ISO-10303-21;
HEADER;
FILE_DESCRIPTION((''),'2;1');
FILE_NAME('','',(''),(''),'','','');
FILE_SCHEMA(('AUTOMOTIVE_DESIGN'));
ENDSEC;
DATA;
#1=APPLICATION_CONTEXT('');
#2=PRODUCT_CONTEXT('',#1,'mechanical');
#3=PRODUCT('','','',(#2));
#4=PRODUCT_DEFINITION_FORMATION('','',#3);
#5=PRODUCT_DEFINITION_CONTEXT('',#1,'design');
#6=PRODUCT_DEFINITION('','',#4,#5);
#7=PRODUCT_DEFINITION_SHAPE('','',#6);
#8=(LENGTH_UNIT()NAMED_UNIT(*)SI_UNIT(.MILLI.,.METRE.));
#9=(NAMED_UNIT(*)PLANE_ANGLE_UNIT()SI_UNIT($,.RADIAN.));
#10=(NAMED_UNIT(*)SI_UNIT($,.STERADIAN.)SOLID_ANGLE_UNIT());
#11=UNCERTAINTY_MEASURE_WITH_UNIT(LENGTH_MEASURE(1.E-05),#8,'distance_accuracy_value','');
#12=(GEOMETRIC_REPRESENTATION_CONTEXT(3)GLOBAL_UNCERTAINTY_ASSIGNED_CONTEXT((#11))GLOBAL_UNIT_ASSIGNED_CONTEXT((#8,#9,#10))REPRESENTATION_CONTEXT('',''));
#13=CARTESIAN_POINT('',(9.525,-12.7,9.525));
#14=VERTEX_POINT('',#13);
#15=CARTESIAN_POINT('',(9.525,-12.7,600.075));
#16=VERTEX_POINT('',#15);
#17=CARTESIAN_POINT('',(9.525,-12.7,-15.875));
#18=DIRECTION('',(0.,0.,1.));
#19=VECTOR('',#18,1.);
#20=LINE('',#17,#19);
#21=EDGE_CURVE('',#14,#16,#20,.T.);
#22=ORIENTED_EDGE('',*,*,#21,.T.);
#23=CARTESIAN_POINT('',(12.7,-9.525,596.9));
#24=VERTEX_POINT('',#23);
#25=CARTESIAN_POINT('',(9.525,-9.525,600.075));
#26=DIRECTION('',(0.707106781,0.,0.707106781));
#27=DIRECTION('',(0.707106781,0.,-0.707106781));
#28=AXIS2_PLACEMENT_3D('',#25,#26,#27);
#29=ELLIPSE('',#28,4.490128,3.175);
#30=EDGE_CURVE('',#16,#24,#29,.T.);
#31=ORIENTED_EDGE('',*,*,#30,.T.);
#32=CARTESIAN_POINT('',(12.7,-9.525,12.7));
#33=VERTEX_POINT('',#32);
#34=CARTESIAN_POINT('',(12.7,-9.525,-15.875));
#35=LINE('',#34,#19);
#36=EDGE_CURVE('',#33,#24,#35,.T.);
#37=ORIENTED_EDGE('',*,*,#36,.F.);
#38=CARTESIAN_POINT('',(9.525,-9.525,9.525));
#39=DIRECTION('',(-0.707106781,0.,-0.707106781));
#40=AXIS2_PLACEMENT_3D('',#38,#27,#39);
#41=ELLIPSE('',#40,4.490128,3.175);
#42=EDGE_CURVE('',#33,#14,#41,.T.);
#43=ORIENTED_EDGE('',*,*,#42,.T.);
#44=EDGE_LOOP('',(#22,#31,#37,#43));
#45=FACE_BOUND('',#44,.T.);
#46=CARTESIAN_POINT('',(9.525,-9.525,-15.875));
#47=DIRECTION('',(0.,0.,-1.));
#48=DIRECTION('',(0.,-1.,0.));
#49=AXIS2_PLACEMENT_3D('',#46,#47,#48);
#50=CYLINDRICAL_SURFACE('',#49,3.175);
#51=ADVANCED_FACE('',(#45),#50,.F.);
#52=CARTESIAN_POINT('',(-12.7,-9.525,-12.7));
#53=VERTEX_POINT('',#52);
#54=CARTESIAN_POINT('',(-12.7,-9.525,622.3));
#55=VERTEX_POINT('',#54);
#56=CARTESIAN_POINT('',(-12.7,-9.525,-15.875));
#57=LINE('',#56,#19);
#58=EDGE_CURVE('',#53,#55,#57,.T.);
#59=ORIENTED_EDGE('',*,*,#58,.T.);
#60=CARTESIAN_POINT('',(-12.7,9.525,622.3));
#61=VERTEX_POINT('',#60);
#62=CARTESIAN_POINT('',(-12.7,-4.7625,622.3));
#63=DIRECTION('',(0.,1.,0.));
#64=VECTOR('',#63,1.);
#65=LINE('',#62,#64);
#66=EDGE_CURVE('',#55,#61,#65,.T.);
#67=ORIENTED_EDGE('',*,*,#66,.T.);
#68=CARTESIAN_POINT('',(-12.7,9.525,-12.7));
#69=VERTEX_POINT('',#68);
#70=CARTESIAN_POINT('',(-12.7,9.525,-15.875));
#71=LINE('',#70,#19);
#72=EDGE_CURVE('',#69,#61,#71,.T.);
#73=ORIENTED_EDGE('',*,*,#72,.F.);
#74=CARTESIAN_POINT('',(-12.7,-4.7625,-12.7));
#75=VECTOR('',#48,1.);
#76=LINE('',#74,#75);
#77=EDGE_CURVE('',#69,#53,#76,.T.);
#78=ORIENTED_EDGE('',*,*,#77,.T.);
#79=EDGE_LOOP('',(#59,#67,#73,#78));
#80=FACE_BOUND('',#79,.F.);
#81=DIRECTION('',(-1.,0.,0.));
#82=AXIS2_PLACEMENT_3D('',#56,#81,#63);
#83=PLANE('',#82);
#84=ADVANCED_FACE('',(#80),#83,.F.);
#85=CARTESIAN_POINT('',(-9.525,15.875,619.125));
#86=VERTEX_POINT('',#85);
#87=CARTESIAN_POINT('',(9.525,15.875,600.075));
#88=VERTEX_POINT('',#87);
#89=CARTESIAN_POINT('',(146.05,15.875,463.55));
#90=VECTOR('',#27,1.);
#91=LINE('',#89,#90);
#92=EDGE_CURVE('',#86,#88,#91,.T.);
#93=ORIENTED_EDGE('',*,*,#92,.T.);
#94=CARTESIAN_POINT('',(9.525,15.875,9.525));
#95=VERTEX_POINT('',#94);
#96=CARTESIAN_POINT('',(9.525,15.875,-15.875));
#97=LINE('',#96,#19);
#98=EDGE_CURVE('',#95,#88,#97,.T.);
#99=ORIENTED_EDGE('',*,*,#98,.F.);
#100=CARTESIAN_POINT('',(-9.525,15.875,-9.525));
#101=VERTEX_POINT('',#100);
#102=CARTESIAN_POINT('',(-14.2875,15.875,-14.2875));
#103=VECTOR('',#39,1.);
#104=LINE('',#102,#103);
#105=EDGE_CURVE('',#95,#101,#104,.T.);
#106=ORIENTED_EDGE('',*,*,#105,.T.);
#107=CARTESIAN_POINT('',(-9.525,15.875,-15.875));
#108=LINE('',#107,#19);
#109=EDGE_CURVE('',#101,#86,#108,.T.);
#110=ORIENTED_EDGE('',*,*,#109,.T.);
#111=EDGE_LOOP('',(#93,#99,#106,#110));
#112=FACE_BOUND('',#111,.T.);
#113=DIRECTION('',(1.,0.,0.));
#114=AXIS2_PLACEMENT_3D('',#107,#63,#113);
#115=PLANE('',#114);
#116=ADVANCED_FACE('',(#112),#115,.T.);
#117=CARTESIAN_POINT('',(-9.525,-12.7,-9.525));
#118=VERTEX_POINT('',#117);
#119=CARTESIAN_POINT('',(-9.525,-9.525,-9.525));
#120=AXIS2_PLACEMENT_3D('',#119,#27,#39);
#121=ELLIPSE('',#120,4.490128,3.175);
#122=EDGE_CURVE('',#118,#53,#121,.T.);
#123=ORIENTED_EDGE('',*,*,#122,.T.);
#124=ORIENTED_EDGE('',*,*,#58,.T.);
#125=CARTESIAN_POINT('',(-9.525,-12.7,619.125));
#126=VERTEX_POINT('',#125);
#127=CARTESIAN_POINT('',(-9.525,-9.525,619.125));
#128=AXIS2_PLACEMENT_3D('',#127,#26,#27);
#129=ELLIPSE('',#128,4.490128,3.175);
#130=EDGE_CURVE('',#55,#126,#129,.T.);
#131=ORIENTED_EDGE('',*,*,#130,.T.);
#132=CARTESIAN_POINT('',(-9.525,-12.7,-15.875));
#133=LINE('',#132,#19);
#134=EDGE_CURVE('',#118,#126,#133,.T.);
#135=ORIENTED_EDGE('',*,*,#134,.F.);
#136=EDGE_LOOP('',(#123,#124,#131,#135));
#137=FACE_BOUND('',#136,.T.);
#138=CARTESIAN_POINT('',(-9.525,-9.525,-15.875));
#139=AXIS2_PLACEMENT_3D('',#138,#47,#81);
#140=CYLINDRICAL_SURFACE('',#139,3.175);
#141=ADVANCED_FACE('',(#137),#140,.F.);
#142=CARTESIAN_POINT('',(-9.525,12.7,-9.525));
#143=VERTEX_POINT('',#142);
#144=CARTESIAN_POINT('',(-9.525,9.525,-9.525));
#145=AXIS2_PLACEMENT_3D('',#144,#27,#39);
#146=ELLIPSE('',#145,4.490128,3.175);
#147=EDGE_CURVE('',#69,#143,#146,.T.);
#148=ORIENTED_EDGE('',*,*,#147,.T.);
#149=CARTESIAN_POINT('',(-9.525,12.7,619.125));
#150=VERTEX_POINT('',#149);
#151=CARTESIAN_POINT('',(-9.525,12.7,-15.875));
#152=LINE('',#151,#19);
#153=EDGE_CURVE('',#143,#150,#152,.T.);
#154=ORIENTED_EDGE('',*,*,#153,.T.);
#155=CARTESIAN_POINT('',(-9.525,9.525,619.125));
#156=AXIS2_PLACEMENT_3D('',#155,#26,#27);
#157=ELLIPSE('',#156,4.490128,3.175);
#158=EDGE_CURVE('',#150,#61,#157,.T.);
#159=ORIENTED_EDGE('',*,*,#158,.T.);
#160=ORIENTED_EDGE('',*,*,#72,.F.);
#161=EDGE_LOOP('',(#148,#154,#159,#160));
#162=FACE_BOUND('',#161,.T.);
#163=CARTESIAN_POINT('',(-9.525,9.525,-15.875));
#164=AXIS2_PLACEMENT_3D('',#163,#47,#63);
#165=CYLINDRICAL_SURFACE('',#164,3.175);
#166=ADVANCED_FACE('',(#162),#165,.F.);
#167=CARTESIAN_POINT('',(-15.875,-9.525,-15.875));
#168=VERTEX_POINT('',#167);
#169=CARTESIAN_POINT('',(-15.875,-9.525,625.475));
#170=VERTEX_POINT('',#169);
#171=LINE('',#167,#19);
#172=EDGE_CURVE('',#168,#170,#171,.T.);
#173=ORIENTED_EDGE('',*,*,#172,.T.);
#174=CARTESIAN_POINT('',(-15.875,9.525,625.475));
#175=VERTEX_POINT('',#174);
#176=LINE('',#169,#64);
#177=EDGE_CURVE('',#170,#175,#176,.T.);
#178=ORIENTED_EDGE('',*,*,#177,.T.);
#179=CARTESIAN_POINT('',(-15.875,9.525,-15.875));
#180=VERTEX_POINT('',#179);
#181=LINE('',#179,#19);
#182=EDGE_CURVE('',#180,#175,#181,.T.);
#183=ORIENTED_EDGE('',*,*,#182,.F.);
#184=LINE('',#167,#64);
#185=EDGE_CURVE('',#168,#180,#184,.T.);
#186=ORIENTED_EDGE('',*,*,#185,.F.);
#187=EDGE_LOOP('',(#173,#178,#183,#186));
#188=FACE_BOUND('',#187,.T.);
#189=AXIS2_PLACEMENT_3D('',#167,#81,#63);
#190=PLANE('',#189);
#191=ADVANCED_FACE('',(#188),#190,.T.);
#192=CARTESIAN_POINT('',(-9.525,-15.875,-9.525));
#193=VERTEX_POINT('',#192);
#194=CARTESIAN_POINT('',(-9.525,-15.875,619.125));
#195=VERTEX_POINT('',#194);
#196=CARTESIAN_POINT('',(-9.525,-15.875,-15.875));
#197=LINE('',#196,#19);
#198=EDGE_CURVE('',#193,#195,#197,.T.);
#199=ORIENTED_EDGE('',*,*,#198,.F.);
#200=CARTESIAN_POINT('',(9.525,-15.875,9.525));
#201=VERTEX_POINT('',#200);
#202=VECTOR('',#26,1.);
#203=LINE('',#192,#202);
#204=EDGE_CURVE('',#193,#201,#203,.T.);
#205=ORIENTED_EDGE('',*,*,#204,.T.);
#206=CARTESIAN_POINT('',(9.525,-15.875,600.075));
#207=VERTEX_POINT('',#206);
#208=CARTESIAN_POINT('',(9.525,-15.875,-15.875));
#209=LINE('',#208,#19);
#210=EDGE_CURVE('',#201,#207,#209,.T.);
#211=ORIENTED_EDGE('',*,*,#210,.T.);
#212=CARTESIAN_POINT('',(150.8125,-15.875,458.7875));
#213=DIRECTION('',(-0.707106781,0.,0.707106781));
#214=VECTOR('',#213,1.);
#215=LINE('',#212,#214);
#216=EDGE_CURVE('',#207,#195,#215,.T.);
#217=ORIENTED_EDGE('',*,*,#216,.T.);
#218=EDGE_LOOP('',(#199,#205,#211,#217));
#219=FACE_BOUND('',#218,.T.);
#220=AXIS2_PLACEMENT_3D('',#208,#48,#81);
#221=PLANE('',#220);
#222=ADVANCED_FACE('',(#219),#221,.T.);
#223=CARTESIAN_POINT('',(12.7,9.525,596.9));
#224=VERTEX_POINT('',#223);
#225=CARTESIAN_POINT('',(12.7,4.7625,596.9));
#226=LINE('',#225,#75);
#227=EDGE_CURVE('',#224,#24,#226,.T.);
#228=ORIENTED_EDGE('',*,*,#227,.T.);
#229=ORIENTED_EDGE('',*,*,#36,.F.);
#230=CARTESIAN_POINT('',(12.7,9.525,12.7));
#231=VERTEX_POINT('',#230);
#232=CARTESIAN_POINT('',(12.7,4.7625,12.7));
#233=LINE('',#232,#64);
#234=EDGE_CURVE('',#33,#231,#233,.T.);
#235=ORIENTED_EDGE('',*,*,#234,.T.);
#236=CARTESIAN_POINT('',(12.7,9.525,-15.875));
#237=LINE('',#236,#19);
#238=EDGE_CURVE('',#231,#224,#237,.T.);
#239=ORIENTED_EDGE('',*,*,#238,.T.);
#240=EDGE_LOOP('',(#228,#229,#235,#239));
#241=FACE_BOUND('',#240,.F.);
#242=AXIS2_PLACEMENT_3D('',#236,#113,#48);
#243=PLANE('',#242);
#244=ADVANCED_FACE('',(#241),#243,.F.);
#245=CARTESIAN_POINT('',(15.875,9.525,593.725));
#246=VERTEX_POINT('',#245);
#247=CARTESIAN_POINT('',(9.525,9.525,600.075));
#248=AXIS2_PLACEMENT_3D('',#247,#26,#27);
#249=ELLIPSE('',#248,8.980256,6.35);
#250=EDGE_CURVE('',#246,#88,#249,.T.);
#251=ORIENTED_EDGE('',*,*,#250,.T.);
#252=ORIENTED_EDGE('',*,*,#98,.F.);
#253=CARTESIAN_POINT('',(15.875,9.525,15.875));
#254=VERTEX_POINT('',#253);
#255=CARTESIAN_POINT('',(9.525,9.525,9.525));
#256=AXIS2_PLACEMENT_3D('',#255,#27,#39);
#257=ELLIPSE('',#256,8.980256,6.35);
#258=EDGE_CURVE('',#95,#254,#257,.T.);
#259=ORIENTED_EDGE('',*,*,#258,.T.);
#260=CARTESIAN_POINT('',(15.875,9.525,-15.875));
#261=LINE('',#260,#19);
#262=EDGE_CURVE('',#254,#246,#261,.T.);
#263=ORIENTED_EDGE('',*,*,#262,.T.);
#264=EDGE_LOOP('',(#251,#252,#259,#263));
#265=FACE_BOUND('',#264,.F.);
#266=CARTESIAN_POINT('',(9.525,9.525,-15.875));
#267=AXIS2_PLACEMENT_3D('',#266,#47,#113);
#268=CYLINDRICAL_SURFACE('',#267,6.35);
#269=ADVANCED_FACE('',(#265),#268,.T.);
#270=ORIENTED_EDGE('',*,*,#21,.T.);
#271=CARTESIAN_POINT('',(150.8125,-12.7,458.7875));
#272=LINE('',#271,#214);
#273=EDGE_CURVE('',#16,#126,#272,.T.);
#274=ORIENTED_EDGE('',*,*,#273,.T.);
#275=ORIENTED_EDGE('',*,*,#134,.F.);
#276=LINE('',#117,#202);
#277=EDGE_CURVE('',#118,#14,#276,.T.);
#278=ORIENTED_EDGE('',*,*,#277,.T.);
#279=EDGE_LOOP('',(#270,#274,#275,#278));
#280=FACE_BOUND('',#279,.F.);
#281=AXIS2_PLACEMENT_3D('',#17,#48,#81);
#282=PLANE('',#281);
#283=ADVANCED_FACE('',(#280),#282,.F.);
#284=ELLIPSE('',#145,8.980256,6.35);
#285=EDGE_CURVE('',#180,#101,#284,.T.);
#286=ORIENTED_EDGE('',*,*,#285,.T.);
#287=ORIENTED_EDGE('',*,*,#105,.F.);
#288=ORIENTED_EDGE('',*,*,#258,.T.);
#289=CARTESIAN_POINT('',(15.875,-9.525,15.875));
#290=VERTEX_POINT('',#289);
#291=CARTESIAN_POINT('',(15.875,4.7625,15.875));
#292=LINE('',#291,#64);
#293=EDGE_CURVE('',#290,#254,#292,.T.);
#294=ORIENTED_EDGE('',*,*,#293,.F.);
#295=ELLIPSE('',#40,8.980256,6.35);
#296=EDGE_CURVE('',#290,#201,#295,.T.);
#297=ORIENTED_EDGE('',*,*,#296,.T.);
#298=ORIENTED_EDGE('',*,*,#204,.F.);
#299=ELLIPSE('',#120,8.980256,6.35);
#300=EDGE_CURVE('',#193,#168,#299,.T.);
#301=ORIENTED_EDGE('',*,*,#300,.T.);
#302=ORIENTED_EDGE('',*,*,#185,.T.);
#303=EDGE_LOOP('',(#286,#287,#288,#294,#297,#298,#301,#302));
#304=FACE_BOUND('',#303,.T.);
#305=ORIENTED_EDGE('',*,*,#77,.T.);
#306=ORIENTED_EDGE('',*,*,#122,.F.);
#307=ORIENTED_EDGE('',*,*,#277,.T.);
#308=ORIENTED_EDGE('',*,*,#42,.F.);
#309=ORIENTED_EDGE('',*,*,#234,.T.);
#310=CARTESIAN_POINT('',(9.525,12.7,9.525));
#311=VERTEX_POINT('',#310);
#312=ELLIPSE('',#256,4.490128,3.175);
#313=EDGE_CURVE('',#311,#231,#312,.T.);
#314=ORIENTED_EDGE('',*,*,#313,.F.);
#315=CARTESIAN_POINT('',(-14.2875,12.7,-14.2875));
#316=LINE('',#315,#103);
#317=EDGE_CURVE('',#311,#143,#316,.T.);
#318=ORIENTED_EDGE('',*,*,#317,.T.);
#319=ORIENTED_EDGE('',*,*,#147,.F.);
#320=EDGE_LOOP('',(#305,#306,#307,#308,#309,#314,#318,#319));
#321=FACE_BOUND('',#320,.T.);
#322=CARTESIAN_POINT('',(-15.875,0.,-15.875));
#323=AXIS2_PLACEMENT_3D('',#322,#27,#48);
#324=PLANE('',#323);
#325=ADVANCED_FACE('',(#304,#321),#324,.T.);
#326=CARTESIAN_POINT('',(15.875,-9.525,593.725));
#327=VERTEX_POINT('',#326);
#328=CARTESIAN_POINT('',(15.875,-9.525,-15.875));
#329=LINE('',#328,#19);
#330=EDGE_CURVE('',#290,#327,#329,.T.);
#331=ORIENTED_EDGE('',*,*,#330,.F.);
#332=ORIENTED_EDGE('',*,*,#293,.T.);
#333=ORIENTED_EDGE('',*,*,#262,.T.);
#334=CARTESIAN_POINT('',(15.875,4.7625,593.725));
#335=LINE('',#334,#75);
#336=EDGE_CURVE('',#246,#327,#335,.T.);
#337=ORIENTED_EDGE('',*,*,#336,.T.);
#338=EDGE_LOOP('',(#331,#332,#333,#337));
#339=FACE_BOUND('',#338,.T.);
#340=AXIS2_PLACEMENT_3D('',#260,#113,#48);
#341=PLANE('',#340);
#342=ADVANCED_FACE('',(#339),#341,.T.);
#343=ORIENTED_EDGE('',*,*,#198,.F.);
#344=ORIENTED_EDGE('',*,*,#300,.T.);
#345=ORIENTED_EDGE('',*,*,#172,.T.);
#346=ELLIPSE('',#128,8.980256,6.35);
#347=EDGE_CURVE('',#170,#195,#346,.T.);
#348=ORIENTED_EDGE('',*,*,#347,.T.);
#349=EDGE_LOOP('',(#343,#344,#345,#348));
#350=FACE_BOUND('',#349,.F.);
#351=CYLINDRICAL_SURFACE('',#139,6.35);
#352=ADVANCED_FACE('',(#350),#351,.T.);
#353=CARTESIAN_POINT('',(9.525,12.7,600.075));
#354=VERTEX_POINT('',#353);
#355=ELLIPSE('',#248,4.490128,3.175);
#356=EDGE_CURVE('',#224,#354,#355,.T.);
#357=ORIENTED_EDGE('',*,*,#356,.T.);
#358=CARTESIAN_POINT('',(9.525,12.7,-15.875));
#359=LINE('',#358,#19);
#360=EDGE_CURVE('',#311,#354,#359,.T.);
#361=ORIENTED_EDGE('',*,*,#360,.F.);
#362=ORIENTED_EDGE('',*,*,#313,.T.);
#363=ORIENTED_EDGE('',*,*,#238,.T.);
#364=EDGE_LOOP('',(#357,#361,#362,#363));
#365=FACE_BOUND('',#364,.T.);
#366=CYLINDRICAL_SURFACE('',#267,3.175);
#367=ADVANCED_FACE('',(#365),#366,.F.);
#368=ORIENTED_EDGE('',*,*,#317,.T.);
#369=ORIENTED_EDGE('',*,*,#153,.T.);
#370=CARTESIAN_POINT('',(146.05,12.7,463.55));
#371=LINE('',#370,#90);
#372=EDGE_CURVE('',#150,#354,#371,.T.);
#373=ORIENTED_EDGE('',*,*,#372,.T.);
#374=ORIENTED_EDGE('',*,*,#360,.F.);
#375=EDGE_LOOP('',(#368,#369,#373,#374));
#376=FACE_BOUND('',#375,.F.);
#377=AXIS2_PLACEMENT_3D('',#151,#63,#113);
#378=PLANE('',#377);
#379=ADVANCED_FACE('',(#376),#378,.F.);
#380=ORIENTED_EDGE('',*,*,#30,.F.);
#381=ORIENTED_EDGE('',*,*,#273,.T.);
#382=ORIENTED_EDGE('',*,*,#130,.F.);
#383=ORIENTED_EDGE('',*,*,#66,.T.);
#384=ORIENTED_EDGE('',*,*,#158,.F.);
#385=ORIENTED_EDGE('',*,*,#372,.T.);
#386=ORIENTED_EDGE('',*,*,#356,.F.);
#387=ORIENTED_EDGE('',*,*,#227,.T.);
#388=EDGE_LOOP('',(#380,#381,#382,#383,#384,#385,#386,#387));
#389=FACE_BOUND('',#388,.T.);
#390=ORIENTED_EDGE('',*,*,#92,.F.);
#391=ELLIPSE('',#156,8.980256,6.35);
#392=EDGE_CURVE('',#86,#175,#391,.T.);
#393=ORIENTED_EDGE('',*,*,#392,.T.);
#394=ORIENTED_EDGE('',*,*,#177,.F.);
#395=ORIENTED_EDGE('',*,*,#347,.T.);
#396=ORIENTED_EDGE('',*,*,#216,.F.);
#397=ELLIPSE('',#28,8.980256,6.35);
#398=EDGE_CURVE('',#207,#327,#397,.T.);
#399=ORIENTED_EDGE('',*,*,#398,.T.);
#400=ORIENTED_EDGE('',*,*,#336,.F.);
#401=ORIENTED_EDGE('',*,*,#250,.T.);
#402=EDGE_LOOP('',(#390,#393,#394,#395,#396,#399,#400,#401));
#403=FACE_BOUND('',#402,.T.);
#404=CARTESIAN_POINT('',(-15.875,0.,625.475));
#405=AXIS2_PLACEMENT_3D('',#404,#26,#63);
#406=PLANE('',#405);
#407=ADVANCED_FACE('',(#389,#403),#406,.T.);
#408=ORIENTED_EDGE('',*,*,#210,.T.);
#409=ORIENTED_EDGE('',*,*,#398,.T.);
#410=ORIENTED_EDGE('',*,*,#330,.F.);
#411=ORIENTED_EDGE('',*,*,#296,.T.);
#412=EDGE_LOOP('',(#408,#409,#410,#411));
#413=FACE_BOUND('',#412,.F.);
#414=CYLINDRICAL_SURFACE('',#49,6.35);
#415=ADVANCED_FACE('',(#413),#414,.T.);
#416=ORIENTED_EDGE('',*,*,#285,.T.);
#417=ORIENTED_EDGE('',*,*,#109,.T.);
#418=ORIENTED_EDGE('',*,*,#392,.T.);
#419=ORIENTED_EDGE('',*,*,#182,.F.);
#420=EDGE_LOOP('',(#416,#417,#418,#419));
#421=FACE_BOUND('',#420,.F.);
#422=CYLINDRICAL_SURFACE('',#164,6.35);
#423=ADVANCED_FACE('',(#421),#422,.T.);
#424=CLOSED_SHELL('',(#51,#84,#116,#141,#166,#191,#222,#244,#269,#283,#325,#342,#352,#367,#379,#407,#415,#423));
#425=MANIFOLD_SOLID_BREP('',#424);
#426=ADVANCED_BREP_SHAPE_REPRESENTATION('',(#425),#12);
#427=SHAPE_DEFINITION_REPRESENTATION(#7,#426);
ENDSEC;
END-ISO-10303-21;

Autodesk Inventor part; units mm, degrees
ref_plane "Start plane" through (0, 0, -15.875) normal (0, 0, 1) x (1, 0, 0)
ref_plane "End plane" through (0, 0, 625.475) normal (0, 0, 1) x (1, 0, 0)
sketch "Sketch" plane through (0, 0, 0) normal (0, 0, 1) x (1, 0, 0)
  line L0 (-15.875, -9.525) -> (-15.875, 9.525)
  line L1 (-9.525, 15.875) -> (9.525, 15.875)
  line L2 (15.875, 9.525) -> (15.875, -9.525)
  line L3 (9.525, -15.875) -> (-9.525, -15.875)
  arc A0 (-15.875, -9.525) -> (-9.525, -15.875) centre (-9.525, -9.525) ccw
  arc A1 (-9.525, 15.875) -> (-15.875, 9.525) centre (-9.525, 9.525) ccw
  arc A2 (15.875, 9.525) -> (9.525, 15.875) centre (9.525, 9.525) ccw
  arc A3 (9.525, -15.875) -> (15.875, -9.525) centre (9.525, -9.525) ccw
  arc A4 (-9.525, 12.7) -> (-12.7, 9.525) centre (-9.525, 9.525) ccw
  line L4 (-9.525, 12.7) -> (9.525, 12.7)
  arc A5 (12.7, 9.525) -> (9.525, 12.7) centre (9.525, 9.525) ccw
  line L5 (12.7, 9.525) -> (12.7, -9.525)
  arc A6 (9.525, -12.7) -> (12.7, -9.525) centre (9.525, -9.525) ccw
  line L6 (9.525, -12.7) -> (-9.525, -12.7)
  arc A7 (-12.7, -9.525) -> (-9.525, -12.7) centre (-9.525, -9.525) ccw
  line L7 (-12.7, -9.525) -> (-12.7, 9.525)
  line L8 (0, 24.0662) -> (0, -24.0662) construction
  line L9 (-24.0662, 0) -> (24.0662, 0) construction
  dimension "d10" = 31.75
  dimension "d11" = 31.75
  dimension "d12" = 3.175
  dimension "d15" = 15.875
  dimension "d16" = 15.875
  dimension "d17" = 6.35
extrude "Body" add sketch "Sketch" along normal up to surface (641.35 mm away) from surface at -15.875
sketch "Sketch3" plane through (0, 0, 0) normal (0, 0, 1) x (1, 0, 0)
  line L0 (0, 0) -> (10, 0)
ref_plane "Work Plane3" through (0, 0, 0) normal (0, -1, 0) x (1, 0, 0)
sketch "Sketch4" plane through (0, 0, 0) normal (0, -1, 0) x (1, 0, 0)
  line L0 (-2, -15.875) -> (12, -15.875)
  line L1 (-2, 625.475) -> (12, 625.475)
  dimension "d19" = 641.35
ref_plane "Work Plane4" through (-15.875, 0, -15.875) normal (0.7071, 0, -0.7071) x (-0.7071, 0, -0.7071)
split "Split1" plane through (-15.875, 0, -15.875) removes the side toward (0.7071, 0, -0.7071)
ref_plane "Work Plane5" through (-15.875, 0, 625.475) normal (0.7071, 0, 0.7071) x (0.7071, 0, -0.7071)
split "Split2" plane through (-15.875, 0, 625.475) removes the side toward (0.7071, 0, 0.7071)
equation "\"d10\" = G_H"
equation "\"d11\" = G_W"
equation "\"d12\" = G_T"
equation "\"d15\" = 0.5 * d10"
equation "\"d16\" = 0.5 * d11"
equation "\"d17\" = G_IR"
equation "\"d3\" = G_L"
equation "\"G_W\" = 31.75"
equation "\"G_H\" = 31.75"
equation "\"G_T\" = 3.175"
equation "\"G_IR\" = 6.35"
equation "\"G_L\" = d19"
equation "\"G_OFFSET_START\" = 15.875"
equation "\"G_OFFSET_END\" = 15.875"
equation "\"d13\" = -G_OFFSET_START"
equation "\"d14\" = G_OFFSET_END + B_L"
equation "\"B_L\" = 609.6"
properties part number "AISC HSS - 1-1/4x1-1/4x1/8 - 25.25" material "Steel, Mild"
